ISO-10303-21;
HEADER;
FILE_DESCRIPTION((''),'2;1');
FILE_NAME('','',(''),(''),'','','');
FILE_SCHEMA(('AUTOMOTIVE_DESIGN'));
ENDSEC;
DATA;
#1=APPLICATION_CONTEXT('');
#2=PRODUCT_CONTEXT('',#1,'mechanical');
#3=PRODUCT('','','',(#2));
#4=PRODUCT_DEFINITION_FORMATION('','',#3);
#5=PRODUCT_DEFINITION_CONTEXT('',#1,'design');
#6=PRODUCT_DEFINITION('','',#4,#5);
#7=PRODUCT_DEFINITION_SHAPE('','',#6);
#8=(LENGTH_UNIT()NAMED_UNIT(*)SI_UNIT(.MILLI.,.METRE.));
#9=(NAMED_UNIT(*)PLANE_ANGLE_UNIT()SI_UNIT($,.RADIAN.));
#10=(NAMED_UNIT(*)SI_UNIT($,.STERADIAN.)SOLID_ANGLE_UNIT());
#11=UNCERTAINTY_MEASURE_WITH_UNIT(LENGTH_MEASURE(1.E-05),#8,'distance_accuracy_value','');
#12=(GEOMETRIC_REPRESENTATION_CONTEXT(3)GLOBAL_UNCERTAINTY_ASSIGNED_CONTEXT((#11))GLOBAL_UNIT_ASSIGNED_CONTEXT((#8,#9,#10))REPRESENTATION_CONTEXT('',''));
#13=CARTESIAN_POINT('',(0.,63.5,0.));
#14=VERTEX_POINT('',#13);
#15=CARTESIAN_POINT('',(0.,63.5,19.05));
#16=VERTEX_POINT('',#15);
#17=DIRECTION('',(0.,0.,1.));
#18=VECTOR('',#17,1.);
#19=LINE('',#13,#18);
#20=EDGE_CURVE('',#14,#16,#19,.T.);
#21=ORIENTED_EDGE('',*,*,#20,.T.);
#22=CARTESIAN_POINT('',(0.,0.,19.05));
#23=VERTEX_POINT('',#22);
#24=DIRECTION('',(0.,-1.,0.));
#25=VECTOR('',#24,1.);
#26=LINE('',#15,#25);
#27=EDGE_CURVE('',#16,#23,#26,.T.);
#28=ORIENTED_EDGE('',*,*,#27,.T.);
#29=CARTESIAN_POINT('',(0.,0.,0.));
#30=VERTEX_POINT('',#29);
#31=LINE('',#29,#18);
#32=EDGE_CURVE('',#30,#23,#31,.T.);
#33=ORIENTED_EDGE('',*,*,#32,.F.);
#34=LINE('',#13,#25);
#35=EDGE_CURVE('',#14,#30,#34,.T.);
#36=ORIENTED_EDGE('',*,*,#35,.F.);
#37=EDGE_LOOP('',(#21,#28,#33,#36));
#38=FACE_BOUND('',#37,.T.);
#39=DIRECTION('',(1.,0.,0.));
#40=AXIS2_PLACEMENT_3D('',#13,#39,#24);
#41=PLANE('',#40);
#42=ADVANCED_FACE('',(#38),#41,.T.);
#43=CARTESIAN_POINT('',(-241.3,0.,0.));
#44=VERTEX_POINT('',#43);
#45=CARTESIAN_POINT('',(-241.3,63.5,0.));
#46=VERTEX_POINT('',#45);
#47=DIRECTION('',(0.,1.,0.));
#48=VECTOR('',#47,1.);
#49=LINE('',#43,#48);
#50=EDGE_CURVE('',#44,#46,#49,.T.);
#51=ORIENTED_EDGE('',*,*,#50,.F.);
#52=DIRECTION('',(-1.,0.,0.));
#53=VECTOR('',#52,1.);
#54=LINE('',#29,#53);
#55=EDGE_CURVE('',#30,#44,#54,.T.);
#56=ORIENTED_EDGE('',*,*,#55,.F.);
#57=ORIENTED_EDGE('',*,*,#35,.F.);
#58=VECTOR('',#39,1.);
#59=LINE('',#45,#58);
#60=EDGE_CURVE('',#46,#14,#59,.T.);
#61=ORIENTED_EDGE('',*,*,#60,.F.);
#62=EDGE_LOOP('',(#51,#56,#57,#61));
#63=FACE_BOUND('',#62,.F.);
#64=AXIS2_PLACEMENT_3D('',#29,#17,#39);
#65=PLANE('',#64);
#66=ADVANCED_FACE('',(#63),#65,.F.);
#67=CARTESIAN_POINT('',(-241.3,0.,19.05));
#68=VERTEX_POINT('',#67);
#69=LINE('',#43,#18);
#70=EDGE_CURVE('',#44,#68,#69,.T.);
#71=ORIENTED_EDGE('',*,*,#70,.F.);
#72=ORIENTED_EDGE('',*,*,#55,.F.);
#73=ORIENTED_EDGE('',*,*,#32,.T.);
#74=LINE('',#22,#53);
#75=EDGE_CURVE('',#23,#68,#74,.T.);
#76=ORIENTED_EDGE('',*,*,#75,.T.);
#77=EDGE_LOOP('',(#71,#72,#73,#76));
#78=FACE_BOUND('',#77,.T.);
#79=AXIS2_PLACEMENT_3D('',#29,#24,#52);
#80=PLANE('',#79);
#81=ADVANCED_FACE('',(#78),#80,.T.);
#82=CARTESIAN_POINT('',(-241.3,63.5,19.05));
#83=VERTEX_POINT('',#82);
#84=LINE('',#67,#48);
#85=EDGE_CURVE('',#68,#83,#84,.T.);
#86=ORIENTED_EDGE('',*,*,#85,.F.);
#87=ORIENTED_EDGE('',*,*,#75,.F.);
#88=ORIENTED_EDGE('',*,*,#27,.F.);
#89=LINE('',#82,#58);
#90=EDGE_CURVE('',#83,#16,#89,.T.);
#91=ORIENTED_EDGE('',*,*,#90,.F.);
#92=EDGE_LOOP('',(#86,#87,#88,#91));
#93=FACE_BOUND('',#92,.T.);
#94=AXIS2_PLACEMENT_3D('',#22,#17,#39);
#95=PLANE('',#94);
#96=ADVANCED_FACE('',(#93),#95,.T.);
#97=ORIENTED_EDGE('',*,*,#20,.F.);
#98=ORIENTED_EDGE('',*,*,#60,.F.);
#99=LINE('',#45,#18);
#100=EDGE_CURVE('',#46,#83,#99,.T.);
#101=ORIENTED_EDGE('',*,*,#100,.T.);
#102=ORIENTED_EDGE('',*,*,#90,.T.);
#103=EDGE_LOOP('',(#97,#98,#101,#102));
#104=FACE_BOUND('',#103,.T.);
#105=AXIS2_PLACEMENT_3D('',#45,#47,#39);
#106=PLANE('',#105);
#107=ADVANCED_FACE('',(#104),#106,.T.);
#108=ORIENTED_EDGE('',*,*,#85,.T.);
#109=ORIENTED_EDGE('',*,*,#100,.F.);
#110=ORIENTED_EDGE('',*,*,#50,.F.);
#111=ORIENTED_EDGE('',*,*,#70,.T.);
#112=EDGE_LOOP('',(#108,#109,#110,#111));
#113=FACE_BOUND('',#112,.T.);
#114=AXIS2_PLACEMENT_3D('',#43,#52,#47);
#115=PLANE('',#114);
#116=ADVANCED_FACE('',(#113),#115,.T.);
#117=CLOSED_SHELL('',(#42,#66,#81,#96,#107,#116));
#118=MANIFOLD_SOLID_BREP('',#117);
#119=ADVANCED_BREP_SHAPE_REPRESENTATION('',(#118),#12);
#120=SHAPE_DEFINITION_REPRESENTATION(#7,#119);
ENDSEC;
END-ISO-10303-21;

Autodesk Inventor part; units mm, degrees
ref_plane "YZ Plane" through (0, 0, 0) normal (1, 0, 0) x (0, 1, 0)
ref_plane "XZ Plane" through (0, 0, 0) normal (0, 1, 0) x (-1, 0, 0)
ref_plane "XY Plane" through (0, 0, 0) normal (0, 0, 1) x (1, 0, 0)
sketch "Sketch1" plane through (0, 0, 0) normal (0, 0, 1) x (1, 0, 0)
  line L0 (-241.3, 63.5) -> (0, 63.5)
  line L1 (0, 63.5) -> (0, 0)
  line L2 (0, 0) -> (-241.3, 0)
  line L3 (-241.3, 0) -> (-241.3, 63.5)
  dimension "d0" = 63.5
  dimension "d1" = 241.3
extrude "Extrusion1" add sketch "Sketch1" along normal blind 19.05
properties part number "9.5 in side"
